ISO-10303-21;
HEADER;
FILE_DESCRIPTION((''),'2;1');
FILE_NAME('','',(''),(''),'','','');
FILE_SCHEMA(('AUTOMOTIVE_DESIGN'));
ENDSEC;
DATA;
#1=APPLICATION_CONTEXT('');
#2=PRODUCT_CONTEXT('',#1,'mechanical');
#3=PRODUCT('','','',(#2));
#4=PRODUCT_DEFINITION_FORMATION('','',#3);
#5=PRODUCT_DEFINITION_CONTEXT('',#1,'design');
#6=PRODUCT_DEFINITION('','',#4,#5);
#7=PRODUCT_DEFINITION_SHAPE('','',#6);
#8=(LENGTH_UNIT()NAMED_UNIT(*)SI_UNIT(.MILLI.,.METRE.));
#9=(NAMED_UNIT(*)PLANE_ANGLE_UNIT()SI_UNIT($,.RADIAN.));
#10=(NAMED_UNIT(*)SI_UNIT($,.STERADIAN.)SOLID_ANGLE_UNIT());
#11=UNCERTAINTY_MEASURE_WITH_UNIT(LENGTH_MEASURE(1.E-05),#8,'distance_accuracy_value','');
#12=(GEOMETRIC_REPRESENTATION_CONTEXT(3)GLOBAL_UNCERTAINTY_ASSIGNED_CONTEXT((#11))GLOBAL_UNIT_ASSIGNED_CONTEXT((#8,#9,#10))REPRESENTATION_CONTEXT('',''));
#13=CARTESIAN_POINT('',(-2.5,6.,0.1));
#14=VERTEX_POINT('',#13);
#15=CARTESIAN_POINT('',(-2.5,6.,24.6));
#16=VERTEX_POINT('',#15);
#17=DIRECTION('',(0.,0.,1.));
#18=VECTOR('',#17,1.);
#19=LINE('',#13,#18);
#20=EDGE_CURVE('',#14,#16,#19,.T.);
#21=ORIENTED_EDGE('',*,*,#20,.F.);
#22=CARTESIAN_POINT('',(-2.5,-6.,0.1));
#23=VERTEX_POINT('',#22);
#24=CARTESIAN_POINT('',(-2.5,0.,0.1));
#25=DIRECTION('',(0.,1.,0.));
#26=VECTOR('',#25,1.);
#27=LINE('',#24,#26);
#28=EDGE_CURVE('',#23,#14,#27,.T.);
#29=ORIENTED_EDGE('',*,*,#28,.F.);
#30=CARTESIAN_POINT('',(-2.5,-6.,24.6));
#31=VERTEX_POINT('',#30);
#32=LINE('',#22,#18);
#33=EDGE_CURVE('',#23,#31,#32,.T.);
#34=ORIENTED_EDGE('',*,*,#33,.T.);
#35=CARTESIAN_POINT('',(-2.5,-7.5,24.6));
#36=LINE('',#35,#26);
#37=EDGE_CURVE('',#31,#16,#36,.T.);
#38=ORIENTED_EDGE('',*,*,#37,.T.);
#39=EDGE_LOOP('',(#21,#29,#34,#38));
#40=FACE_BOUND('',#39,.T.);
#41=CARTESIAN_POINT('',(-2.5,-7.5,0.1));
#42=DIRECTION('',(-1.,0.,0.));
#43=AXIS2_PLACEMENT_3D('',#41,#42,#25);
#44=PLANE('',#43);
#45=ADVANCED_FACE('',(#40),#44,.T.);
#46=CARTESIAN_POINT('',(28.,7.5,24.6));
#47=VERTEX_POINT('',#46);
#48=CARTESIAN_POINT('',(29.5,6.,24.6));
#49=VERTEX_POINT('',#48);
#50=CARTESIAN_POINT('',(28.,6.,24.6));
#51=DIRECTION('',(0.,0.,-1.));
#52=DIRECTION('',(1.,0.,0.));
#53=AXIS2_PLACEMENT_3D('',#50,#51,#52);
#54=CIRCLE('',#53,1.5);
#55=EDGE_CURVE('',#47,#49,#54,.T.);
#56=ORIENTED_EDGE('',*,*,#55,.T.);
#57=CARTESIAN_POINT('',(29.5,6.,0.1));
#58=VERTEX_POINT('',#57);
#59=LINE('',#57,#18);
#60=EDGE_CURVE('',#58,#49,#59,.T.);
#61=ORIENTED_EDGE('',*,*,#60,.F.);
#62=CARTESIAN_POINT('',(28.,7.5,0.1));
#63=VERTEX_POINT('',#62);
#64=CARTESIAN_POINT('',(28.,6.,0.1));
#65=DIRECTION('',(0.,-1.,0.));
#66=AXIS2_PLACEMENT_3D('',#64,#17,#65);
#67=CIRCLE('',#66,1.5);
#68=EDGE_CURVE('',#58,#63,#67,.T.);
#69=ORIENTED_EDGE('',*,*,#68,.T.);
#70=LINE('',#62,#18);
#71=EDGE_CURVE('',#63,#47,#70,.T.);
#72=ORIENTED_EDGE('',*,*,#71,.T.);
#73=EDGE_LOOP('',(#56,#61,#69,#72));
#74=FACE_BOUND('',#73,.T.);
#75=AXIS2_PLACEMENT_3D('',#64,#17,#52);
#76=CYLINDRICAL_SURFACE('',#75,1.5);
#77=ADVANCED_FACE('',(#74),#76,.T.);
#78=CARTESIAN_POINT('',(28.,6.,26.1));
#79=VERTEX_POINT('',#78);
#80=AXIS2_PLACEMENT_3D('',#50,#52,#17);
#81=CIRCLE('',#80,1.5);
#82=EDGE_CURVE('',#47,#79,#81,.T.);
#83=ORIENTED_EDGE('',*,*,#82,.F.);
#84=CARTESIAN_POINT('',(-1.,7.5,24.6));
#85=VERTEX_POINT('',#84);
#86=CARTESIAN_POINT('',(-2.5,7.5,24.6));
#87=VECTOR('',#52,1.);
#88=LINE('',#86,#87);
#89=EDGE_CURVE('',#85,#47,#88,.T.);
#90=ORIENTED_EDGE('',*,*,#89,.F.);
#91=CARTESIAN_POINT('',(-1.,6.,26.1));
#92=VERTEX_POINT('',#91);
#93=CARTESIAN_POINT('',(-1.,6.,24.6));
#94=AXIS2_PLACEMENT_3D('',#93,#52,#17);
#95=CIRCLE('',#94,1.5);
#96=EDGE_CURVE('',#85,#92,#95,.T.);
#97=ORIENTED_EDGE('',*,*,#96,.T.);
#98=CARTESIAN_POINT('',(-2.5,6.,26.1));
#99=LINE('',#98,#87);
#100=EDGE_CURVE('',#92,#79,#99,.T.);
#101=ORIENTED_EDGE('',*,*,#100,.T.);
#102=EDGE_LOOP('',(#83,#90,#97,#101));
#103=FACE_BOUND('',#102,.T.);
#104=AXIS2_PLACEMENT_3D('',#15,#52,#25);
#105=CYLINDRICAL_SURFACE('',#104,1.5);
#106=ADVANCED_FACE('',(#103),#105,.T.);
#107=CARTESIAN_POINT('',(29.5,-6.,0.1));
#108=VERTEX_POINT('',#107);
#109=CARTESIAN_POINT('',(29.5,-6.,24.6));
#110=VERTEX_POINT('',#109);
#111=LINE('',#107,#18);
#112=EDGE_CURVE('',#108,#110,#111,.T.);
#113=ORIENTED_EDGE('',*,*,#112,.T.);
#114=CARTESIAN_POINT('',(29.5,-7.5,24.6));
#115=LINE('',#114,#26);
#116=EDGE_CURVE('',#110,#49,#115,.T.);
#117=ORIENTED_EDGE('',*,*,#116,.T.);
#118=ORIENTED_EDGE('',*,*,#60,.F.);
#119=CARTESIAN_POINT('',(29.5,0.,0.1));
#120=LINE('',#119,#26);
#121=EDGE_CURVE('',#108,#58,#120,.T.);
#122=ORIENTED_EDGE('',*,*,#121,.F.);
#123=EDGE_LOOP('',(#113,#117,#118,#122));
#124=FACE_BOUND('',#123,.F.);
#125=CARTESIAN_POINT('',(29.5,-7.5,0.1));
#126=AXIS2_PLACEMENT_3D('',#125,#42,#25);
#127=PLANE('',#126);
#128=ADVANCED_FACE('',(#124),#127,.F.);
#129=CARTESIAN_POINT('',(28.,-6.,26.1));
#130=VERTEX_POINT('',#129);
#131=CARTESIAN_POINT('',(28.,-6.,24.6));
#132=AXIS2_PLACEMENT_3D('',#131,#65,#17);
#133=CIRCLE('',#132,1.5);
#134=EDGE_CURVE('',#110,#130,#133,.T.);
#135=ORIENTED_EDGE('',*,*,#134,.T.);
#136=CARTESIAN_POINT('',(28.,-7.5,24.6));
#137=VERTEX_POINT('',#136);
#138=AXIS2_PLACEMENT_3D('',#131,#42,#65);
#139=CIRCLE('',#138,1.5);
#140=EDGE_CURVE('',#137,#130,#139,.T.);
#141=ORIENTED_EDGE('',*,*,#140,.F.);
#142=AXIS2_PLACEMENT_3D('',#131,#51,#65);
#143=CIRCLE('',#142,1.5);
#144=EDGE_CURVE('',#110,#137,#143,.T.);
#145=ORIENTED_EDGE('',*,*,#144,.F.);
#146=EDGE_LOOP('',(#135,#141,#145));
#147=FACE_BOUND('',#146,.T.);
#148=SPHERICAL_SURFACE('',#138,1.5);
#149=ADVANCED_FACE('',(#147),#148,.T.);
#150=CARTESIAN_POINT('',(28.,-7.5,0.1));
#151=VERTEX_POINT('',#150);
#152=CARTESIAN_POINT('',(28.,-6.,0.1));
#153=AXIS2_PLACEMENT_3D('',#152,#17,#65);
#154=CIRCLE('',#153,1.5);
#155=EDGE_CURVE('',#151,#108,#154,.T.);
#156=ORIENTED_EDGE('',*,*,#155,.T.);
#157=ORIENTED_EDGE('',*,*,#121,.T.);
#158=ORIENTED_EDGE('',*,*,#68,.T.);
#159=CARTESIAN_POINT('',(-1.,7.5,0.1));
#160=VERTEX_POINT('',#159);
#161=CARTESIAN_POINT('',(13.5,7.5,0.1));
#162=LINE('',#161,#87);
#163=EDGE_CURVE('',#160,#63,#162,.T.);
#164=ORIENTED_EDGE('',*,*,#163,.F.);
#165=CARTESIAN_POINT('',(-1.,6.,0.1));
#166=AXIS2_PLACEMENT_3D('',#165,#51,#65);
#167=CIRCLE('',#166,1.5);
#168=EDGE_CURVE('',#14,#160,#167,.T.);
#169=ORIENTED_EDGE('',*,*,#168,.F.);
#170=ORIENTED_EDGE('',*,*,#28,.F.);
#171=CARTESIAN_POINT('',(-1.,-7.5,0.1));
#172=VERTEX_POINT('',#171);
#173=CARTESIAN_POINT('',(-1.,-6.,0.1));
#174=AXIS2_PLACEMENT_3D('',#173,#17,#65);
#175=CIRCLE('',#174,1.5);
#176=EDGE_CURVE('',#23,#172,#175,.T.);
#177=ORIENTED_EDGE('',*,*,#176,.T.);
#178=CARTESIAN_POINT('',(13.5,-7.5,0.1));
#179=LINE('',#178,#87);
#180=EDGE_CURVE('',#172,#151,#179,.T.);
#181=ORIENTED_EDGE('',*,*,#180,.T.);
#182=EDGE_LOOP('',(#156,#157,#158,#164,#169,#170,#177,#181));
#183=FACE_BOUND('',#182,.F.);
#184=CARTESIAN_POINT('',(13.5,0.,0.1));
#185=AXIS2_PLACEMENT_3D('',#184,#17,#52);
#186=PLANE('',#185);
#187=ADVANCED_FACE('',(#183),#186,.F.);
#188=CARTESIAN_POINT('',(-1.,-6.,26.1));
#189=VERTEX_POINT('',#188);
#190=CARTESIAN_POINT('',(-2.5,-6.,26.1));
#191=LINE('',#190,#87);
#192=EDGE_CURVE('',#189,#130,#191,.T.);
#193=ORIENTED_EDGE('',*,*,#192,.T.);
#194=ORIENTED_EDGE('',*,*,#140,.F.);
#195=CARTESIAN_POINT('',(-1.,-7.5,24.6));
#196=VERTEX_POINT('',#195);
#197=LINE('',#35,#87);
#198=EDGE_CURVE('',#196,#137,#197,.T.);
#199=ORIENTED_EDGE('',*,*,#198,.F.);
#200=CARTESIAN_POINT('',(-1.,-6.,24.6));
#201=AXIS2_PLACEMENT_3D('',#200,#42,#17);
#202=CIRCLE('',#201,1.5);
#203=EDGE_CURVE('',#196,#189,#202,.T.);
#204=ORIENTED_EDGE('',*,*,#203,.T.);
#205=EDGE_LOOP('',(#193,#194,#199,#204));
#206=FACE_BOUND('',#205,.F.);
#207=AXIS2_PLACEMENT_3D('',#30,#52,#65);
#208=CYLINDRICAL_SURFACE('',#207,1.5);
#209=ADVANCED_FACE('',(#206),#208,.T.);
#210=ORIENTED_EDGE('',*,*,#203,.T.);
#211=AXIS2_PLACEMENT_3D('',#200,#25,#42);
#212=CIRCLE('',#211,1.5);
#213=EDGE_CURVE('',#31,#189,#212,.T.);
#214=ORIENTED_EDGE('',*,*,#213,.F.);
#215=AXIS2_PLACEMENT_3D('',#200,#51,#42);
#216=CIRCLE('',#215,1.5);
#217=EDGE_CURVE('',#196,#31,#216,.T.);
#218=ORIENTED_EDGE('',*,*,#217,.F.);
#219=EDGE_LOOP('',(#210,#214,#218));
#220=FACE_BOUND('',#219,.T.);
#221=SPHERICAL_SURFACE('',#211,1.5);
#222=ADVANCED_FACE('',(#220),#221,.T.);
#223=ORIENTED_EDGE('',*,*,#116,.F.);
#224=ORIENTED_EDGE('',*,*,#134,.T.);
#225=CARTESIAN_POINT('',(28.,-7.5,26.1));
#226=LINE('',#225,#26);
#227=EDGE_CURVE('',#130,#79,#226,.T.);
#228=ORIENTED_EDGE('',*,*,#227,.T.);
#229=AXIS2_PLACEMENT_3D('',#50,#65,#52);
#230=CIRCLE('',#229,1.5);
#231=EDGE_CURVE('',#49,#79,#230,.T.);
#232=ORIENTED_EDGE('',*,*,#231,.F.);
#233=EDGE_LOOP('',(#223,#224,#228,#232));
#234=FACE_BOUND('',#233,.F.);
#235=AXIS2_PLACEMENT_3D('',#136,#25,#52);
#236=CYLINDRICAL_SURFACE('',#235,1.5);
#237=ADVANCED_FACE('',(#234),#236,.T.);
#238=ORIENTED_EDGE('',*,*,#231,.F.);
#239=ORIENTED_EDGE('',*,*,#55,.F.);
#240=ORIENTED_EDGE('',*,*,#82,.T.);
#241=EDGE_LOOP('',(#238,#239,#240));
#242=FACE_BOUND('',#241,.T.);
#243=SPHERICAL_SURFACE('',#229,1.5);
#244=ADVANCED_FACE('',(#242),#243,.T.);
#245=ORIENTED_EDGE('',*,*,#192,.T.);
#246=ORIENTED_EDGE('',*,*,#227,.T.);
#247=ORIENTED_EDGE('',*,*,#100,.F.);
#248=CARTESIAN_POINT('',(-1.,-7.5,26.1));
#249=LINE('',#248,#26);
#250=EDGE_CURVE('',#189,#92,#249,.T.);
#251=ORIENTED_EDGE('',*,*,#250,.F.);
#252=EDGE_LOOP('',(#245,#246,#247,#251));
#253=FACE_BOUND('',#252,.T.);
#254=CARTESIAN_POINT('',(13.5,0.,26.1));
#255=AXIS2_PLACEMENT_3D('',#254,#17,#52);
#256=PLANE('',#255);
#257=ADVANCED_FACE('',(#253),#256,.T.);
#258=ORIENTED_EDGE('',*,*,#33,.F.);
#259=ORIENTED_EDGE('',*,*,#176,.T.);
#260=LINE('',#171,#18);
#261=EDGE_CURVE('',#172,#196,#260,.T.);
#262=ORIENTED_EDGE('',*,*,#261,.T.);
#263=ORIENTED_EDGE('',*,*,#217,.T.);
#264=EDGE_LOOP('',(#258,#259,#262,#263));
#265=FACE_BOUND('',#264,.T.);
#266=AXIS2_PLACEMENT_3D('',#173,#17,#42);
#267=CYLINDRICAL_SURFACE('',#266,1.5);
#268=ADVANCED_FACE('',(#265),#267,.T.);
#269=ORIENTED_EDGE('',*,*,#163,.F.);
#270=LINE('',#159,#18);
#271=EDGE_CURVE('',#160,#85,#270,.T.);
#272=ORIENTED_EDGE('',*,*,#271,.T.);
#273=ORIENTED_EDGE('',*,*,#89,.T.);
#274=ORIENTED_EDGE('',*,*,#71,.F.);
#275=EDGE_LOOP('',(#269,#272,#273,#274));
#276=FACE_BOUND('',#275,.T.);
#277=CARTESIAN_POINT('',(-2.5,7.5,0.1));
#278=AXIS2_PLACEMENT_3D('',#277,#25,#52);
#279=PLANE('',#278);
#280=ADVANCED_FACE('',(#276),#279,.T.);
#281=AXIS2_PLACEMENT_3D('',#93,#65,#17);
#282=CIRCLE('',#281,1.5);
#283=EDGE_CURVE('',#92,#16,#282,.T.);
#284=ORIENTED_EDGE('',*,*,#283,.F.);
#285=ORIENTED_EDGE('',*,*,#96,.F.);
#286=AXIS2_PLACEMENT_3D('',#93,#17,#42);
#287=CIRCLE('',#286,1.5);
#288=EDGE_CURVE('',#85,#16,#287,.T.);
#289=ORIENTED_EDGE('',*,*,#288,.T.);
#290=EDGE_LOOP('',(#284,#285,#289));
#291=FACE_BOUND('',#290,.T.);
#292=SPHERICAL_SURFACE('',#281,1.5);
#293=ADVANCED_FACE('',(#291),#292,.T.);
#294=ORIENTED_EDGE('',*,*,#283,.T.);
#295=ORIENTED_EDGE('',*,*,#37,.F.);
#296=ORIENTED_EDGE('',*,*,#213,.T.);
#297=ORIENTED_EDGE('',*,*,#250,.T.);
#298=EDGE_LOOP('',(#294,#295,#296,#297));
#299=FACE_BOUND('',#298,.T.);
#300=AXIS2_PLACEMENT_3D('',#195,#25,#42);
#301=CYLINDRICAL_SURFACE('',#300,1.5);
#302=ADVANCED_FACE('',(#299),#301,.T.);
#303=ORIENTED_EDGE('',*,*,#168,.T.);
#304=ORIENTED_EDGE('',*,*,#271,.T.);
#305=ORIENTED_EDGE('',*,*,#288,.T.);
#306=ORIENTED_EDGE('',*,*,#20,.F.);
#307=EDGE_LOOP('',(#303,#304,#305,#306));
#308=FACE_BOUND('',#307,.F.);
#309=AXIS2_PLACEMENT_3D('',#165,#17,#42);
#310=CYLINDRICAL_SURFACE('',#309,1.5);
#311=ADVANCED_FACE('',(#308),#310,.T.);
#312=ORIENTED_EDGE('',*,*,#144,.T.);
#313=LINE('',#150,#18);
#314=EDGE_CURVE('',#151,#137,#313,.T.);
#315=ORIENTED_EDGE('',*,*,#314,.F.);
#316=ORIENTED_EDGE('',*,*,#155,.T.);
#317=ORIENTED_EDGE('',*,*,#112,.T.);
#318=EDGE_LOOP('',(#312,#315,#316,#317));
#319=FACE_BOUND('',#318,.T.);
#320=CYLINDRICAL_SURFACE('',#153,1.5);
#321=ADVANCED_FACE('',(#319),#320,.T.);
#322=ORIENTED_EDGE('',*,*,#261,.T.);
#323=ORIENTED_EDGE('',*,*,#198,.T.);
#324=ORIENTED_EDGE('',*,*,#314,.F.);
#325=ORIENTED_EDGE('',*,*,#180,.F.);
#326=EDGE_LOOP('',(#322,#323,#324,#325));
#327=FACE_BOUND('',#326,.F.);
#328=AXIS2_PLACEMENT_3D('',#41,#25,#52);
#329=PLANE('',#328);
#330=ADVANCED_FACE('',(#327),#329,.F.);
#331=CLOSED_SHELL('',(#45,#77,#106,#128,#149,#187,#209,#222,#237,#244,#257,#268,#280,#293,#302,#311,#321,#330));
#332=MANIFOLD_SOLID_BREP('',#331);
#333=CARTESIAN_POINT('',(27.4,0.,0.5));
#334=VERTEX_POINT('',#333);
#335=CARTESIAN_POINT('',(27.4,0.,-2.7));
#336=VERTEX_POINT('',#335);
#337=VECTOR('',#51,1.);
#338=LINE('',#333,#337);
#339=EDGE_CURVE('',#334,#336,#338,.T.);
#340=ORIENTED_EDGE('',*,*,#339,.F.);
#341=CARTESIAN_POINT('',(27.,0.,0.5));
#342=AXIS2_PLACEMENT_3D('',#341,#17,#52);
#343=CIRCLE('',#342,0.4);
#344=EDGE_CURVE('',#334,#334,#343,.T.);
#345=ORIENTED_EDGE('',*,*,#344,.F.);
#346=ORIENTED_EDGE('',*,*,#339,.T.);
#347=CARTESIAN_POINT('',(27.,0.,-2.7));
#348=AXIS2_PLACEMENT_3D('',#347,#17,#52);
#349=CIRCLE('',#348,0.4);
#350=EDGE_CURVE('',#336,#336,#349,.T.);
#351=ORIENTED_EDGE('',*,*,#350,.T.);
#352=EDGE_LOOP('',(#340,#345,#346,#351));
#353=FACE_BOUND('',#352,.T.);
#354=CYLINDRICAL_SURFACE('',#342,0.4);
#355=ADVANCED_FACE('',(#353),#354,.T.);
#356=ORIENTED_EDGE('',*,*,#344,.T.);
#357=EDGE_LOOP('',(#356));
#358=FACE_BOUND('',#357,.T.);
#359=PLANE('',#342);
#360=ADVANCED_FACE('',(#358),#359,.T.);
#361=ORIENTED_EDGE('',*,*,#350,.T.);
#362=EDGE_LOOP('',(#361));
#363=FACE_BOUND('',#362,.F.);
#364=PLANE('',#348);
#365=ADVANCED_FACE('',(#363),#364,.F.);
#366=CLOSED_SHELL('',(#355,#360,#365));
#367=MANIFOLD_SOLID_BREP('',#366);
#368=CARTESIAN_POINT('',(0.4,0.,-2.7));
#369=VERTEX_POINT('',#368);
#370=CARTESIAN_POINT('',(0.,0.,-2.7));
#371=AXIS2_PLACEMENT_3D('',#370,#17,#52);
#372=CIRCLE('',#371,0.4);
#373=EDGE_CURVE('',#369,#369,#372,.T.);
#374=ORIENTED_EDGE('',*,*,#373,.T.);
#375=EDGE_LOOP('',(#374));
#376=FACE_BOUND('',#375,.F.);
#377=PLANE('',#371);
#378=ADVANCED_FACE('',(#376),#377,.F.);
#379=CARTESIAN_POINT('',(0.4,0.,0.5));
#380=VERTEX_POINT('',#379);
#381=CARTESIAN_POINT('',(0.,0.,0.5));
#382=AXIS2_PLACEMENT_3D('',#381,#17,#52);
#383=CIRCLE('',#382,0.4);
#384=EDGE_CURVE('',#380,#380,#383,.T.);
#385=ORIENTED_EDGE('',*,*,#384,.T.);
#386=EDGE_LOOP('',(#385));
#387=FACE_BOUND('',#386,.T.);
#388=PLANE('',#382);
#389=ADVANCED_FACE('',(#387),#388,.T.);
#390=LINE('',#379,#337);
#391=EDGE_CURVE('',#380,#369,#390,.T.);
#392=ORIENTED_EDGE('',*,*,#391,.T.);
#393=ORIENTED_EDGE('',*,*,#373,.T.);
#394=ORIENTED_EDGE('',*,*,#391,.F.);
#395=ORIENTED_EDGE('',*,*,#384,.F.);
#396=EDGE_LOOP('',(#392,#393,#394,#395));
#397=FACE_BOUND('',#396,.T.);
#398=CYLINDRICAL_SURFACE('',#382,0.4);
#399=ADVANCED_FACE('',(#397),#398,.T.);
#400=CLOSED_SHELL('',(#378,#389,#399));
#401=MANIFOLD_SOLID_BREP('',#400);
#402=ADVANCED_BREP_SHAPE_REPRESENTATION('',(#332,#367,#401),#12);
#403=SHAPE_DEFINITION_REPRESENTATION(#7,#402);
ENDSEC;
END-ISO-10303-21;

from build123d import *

# Parameters (mm, degrees)
SKETCH_W     = 32
SKETCH_H     = 15
PAD_DEPTH    = 26
FILLET_R     = 1.5
SKETCH001_R  = 0.4
PAD001_DEPTH = 3.2


with BuildPart() as fillet_body:
    # Sketch → Pad (new body)
    with BuildSketch(Plane.XY.offset(0.1)):
        with Locations((13.5, 0)):
            Rectangle(SKETCH_W, SKETCH_H)
    extrude(amount=PAD_DEPTH)

    # Fillet
    fillet_edges = [fillet_body.edges().sort_by_distance(p)[0] for p in [
        (-2.5, 0, 26.1),
        (-2.5, -7.5, 13.1),
        (13.5, -7.5, 26.1),
        (29.5, -7.5, 13.1),
        (29.5, 0, 26.1),
        (29.5, 7.5, 13.1),
        (13.5, 7.5, 26.1),
        (-2.5, 7.5, 13.1),
    ]]
    fillet(fillet_edges, radius=FILLET_R)


with BuildPart() as pad001:
    # Sketch001 → Pad001 (new body)
    with BuildSketch(Plane.XY.offset(0.5)):
        Circle(SKETCH001_R)
        with Locations((27, 0)):
            Circle(SKETCH001_R)
    extrude(amount=-PAD001_DEPTH)


solid = Compound([fillet_body.part, pad001.part])
